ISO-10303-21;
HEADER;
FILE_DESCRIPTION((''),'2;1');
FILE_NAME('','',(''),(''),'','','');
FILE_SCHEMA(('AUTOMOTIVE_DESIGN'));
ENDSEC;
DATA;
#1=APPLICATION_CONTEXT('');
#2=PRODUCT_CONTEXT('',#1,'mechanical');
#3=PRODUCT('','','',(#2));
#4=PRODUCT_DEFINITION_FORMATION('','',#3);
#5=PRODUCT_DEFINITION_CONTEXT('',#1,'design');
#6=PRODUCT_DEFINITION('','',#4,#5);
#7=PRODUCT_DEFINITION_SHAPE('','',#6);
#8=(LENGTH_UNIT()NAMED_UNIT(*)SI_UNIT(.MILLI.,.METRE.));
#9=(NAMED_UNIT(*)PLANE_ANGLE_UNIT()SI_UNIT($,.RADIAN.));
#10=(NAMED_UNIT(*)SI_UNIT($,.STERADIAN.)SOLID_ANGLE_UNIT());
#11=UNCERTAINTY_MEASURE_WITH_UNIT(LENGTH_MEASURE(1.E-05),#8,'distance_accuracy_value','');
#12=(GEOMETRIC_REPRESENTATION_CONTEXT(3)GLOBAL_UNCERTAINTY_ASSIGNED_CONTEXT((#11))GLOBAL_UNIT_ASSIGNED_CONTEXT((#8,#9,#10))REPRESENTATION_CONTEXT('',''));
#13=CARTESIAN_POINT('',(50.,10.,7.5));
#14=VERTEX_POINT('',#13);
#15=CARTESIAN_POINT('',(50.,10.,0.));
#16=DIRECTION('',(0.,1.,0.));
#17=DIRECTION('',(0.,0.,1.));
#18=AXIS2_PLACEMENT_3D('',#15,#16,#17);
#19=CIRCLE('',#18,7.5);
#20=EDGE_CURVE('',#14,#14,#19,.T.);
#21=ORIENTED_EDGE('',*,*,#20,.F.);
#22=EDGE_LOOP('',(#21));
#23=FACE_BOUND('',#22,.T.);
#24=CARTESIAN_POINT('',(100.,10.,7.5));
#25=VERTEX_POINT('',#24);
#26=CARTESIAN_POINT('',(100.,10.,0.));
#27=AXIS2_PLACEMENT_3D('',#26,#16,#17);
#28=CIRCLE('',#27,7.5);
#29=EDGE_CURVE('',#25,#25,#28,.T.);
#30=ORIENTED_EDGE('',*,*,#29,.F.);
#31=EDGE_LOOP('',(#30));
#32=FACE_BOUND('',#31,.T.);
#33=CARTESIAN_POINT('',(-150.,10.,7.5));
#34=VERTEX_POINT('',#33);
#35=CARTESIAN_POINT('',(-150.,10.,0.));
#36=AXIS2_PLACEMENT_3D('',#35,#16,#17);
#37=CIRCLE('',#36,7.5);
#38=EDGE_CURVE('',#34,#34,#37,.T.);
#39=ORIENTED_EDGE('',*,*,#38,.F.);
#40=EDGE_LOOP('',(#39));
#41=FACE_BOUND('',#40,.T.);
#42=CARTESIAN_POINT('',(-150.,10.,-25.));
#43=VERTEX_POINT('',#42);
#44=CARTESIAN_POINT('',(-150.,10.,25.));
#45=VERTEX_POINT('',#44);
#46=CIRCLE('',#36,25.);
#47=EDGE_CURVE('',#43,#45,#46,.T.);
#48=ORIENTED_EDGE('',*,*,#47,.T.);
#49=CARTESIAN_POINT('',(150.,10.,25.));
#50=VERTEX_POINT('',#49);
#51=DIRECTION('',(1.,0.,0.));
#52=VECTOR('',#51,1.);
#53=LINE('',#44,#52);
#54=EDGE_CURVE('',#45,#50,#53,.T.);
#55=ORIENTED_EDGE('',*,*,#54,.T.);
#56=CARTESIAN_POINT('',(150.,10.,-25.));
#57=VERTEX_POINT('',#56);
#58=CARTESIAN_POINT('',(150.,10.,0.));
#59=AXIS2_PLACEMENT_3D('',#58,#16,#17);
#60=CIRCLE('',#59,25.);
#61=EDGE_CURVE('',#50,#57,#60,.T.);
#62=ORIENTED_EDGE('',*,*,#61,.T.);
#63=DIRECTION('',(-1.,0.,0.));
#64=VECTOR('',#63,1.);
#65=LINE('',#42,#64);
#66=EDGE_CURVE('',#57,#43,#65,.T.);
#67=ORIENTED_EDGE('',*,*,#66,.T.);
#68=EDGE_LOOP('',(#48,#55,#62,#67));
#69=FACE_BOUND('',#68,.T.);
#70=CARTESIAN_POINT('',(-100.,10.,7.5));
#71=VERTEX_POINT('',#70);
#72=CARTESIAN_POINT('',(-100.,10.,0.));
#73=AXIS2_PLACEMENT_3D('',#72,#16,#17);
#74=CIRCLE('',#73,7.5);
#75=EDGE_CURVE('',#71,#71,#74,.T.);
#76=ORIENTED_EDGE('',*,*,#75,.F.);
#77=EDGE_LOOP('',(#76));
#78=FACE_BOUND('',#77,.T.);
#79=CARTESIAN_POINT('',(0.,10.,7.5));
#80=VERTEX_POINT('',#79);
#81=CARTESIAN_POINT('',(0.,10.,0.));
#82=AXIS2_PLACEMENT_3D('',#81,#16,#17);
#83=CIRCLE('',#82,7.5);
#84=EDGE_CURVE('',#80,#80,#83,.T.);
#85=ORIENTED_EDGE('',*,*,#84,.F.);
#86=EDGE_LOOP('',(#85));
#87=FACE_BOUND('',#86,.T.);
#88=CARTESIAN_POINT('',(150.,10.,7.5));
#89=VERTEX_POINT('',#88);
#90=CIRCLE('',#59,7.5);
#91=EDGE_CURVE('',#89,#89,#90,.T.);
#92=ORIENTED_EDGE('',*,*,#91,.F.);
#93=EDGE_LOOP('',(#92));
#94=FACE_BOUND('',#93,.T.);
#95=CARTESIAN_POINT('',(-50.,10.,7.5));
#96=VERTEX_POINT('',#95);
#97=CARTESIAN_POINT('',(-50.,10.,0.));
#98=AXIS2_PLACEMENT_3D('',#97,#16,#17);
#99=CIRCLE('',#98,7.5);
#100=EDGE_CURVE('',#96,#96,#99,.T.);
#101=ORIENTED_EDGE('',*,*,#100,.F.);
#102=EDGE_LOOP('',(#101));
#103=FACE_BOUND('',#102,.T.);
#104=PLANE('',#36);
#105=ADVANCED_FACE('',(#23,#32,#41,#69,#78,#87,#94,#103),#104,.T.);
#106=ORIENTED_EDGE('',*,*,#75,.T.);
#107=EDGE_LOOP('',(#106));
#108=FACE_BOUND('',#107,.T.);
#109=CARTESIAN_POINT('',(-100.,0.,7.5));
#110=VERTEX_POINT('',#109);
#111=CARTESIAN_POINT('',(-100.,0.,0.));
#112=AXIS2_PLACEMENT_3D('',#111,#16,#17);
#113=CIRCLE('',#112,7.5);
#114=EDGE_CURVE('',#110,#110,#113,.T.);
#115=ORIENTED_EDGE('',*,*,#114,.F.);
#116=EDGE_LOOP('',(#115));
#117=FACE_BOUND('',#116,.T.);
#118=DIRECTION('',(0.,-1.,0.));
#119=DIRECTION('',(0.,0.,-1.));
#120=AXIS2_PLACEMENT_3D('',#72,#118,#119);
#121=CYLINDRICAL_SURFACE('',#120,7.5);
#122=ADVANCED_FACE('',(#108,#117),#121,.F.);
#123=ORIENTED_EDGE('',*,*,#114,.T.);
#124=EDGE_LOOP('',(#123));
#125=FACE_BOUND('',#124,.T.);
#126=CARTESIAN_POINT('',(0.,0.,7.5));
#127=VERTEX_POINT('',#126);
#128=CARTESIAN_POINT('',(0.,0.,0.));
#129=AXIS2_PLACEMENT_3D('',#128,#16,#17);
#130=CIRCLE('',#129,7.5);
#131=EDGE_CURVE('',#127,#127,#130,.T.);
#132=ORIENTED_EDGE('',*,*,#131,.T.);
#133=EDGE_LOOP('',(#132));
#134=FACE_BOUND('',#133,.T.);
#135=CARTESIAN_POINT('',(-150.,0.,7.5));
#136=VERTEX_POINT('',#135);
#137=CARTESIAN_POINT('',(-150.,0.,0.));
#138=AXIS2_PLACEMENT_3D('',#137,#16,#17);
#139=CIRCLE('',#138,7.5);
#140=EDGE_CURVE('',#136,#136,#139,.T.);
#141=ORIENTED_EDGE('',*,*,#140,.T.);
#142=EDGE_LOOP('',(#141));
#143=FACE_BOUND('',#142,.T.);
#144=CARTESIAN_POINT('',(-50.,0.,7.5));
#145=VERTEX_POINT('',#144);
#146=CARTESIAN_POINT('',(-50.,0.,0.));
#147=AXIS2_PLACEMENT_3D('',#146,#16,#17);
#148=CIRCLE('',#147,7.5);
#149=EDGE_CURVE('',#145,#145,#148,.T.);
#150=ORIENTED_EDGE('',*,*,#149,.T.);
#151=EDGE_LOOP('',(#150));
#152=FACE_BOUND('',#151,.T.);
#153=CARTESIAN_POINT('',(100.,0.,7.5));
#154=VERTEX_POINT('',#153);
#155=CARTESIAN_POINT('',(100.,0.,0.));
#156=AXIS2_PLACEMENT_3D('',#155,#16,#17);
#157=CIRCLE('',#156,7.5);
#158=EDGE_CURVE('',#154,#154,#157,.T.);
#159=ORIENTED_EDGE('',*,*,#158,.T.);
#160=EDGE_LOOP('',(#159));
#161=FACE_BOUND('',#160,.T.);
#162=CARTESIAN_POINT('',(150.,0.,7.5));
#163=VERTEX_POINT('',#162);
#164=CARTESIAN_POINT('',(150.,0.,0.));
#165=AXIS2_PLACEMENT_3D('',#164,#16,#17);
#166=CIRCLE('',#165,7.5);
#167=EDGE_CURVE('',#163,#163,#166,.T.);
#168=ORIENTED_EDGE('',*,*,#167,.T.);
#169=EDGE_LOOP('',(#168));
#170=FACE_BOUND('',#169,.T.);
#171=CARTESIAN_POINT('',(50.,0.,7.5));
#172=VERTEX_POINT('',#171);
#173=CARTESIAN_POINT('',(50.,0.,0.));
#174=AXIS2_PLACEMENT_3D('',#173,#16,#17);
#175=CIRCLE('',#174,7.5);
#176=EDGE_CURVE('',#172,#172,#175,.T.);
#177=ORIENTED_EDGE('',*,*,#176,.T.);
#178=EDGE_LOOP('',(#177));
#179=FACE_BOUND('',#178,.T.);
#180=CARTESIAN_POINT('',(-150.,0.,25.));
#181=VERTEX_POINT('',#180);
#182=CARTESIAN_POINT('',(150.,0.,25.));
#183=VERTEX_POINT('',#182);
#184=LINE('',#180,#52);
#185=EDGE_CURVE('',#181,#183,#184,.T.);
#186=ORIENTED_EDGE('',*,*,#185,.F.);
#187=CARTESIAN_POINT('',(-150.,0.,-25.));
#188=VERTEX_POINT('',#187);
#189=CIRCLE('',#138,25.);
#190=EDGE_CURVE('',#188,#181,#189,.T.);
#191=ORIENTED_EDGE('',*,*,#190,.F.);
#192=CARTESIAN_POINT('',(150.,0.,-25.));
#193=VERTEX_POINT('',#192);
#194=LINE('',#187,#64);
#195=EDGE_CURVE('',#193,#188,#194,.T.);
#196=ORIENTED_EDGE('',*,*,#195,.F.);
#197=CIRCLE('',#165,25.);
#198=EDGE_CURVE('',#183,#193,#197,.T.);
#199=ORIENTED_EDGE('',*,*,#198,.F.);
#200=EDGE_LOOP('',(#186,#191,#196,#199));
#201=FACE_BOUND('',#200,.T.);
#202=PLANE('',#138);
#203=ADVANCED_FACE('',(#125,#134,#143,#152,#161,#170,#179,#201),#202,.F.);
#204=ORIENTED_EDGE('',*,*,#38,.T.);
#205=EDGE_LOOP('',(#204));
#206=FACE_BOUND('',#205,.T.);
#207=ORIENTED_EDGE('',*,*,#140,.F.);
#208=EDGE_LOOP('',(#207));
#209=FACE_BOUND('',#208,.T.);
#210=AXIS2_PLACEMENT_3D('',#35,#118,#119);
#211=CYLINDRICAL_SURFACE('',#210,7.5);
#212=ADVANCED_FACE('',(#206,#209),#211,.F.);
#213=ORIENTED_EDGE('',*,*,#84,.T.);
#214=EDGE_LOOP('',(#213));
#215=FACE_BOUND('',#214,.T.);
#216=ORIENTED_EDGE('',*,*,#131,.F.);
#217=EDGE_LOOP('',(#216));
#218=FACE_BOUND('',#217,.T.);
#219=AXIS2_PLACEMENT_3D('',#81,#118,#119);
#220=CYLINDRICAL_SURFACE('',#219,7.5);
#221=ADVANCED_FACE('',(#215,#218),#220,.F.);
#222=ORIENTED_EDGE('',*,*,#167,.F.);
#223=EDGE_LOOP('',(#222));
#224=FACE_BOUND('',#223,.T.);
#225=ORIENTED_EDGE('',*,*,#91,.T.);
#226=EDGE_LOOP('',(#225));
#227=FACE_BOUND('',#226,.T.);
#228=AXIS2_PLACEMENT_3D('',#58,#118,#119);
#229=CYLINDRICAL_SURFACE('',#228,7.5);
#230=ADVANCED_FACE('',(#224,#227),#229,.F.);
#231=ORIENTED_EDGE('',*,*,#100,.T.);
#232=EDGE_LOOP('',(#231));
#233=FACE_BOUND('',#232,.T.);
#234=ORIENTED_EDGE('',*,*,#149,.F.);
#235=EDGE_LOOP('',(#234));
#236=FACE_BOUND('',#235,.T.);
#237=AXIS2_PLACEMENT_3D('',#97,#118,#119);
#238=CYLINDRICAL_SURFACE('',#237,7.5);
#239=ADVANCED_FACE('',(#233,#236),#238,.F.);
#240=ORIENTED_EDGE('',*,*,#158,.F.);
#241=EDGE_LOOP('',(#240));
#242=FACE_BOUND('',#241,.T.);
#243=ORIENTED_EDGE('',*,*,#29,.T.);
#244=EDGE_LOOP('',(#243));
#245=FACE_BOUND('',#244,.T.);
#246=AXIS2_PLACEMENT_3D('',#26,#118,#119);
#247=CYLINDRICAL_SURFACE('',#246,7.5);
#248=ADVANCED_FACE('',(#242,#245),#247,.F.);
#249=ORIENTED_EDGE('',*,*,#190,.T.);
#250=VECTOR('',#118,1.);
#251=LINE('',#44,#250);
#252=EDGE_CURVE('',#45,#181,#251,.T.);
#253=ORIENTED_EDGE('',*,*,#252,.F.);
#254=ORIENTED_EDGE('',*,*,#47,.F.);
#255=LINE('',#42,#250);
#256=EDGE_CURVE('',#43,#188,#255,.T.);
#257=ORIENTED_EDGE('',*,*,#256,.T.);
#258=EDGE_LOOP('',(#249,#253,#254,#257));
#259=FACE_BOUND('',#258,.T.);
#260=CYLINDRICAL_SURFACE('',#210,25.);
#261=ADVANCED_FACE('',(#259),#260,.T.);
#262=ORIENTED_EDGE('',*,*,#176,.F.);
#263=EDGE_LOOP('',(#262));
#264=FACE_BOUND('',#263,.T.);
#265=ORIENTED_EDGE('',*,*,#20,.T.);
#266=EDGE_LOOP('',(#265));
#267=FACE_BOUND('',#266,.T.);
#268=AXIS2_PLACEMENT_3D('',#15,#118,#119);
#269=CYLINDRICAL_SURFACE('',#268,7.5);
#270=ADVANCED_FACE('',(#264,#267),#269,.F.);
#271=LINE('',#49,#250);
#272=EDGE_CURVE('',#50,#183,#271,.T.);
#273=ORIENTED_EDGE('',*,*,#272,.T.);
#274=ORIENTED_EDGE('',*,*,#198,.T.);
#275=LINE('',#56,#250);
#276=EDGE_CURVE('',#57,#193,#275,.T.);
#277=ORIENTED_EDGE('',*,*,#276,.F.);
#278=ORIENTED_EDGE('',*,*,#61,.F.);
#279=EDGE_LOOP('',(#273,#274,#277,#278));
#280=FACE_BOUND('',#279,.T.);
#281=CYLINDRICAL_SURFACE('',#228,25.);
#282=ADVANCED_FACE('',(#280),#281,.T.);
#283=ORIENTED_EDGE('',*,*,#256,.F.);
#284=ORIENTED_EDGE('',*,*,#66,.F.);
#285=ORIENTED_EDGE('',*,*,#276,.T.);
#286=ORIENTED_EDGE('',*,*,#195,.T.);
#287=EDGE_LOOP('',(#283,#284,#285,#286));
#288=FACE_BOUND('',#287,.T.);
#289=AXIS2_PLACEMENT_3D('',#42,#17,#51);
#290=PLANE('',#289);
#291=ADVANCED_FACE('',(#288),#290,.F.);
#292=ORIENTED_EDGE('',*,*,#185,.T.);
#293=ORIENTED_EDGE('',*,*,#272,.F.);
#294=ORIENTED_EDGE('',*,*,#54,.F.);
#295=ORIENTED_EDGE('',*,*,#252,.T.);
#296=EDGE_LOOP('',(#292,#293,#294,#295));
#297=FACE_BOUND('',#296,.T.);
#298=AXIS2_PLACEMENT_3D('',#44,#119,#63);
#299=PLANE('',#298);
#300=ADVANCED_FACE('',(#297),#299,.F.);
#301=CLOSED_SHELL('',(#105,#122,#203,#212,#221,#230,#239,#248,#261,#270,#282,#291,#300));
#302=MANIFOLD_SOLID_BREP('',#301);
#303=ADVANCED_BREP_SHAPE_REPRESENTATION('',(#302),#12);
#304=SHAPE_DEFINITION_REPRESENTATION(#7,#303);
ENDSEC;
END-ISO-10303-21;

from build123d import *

# Parameters (mm, degrees)
SKETCH1_R           = 7.5
BOSS_EXTRUDE1_DEPTH = 10


with BuildPart() as part:
    # Sketch1 → Boss-Extrude1 (new body)
    with BuildSketch(Plane(origin=(0, 0, 0), x_dir=(1, 0, 0), z_dir=(0, 1, 0))):
        with BuildLine():
            Line((-150, 25), (150, 25))
            ThreePointArc((150, 25), (175, 0), (150, -25))
            Line((150, -25), (-150, -25))
            ThreePointArc((-150, -25), (-175, 0), (-150, 25))
        make_face()
        with Locations(Location((-150, 0, 0), (0, 0, 270))):
            Circle(SKETCH1_R, mode=Mode.SUBTRACT)
        with Locations(Location((150, 0, 0), (0, 0, 270))):
            Circle(SKETCH1_R, mode=Mode.SUBTRACT)
        with Locations(Location((-100, 0, 0), (0, 0, 270))):
            Circle(SKETCH1_R, mode=Mode.SUBTRACT)
        with Locations(Location((-50, 0, 0), (0, 0, 270))):
            Circle(SKETCH1_R, mode=Mode.SUBTRACT)
        with Locations(Location((0, 0, 0), (0, 0, 270))):
            Circle(SKETCH1_R, mode=Mode.SUBTRACT)
        with Locations(Location((50, 0, 0), (0, 0, 270))):
            Circle(SKETCH1_R, mode=Mode.SUBTRACT)
        with Locations(Location((100, 0, 0), (0, 0, 270))):
            Circle(SKETCH1_R, mode=Mode.SUBTRACT)
    extrude(amount=BOSS_EXTRUDE1_DEPTH)


solid = part.part
